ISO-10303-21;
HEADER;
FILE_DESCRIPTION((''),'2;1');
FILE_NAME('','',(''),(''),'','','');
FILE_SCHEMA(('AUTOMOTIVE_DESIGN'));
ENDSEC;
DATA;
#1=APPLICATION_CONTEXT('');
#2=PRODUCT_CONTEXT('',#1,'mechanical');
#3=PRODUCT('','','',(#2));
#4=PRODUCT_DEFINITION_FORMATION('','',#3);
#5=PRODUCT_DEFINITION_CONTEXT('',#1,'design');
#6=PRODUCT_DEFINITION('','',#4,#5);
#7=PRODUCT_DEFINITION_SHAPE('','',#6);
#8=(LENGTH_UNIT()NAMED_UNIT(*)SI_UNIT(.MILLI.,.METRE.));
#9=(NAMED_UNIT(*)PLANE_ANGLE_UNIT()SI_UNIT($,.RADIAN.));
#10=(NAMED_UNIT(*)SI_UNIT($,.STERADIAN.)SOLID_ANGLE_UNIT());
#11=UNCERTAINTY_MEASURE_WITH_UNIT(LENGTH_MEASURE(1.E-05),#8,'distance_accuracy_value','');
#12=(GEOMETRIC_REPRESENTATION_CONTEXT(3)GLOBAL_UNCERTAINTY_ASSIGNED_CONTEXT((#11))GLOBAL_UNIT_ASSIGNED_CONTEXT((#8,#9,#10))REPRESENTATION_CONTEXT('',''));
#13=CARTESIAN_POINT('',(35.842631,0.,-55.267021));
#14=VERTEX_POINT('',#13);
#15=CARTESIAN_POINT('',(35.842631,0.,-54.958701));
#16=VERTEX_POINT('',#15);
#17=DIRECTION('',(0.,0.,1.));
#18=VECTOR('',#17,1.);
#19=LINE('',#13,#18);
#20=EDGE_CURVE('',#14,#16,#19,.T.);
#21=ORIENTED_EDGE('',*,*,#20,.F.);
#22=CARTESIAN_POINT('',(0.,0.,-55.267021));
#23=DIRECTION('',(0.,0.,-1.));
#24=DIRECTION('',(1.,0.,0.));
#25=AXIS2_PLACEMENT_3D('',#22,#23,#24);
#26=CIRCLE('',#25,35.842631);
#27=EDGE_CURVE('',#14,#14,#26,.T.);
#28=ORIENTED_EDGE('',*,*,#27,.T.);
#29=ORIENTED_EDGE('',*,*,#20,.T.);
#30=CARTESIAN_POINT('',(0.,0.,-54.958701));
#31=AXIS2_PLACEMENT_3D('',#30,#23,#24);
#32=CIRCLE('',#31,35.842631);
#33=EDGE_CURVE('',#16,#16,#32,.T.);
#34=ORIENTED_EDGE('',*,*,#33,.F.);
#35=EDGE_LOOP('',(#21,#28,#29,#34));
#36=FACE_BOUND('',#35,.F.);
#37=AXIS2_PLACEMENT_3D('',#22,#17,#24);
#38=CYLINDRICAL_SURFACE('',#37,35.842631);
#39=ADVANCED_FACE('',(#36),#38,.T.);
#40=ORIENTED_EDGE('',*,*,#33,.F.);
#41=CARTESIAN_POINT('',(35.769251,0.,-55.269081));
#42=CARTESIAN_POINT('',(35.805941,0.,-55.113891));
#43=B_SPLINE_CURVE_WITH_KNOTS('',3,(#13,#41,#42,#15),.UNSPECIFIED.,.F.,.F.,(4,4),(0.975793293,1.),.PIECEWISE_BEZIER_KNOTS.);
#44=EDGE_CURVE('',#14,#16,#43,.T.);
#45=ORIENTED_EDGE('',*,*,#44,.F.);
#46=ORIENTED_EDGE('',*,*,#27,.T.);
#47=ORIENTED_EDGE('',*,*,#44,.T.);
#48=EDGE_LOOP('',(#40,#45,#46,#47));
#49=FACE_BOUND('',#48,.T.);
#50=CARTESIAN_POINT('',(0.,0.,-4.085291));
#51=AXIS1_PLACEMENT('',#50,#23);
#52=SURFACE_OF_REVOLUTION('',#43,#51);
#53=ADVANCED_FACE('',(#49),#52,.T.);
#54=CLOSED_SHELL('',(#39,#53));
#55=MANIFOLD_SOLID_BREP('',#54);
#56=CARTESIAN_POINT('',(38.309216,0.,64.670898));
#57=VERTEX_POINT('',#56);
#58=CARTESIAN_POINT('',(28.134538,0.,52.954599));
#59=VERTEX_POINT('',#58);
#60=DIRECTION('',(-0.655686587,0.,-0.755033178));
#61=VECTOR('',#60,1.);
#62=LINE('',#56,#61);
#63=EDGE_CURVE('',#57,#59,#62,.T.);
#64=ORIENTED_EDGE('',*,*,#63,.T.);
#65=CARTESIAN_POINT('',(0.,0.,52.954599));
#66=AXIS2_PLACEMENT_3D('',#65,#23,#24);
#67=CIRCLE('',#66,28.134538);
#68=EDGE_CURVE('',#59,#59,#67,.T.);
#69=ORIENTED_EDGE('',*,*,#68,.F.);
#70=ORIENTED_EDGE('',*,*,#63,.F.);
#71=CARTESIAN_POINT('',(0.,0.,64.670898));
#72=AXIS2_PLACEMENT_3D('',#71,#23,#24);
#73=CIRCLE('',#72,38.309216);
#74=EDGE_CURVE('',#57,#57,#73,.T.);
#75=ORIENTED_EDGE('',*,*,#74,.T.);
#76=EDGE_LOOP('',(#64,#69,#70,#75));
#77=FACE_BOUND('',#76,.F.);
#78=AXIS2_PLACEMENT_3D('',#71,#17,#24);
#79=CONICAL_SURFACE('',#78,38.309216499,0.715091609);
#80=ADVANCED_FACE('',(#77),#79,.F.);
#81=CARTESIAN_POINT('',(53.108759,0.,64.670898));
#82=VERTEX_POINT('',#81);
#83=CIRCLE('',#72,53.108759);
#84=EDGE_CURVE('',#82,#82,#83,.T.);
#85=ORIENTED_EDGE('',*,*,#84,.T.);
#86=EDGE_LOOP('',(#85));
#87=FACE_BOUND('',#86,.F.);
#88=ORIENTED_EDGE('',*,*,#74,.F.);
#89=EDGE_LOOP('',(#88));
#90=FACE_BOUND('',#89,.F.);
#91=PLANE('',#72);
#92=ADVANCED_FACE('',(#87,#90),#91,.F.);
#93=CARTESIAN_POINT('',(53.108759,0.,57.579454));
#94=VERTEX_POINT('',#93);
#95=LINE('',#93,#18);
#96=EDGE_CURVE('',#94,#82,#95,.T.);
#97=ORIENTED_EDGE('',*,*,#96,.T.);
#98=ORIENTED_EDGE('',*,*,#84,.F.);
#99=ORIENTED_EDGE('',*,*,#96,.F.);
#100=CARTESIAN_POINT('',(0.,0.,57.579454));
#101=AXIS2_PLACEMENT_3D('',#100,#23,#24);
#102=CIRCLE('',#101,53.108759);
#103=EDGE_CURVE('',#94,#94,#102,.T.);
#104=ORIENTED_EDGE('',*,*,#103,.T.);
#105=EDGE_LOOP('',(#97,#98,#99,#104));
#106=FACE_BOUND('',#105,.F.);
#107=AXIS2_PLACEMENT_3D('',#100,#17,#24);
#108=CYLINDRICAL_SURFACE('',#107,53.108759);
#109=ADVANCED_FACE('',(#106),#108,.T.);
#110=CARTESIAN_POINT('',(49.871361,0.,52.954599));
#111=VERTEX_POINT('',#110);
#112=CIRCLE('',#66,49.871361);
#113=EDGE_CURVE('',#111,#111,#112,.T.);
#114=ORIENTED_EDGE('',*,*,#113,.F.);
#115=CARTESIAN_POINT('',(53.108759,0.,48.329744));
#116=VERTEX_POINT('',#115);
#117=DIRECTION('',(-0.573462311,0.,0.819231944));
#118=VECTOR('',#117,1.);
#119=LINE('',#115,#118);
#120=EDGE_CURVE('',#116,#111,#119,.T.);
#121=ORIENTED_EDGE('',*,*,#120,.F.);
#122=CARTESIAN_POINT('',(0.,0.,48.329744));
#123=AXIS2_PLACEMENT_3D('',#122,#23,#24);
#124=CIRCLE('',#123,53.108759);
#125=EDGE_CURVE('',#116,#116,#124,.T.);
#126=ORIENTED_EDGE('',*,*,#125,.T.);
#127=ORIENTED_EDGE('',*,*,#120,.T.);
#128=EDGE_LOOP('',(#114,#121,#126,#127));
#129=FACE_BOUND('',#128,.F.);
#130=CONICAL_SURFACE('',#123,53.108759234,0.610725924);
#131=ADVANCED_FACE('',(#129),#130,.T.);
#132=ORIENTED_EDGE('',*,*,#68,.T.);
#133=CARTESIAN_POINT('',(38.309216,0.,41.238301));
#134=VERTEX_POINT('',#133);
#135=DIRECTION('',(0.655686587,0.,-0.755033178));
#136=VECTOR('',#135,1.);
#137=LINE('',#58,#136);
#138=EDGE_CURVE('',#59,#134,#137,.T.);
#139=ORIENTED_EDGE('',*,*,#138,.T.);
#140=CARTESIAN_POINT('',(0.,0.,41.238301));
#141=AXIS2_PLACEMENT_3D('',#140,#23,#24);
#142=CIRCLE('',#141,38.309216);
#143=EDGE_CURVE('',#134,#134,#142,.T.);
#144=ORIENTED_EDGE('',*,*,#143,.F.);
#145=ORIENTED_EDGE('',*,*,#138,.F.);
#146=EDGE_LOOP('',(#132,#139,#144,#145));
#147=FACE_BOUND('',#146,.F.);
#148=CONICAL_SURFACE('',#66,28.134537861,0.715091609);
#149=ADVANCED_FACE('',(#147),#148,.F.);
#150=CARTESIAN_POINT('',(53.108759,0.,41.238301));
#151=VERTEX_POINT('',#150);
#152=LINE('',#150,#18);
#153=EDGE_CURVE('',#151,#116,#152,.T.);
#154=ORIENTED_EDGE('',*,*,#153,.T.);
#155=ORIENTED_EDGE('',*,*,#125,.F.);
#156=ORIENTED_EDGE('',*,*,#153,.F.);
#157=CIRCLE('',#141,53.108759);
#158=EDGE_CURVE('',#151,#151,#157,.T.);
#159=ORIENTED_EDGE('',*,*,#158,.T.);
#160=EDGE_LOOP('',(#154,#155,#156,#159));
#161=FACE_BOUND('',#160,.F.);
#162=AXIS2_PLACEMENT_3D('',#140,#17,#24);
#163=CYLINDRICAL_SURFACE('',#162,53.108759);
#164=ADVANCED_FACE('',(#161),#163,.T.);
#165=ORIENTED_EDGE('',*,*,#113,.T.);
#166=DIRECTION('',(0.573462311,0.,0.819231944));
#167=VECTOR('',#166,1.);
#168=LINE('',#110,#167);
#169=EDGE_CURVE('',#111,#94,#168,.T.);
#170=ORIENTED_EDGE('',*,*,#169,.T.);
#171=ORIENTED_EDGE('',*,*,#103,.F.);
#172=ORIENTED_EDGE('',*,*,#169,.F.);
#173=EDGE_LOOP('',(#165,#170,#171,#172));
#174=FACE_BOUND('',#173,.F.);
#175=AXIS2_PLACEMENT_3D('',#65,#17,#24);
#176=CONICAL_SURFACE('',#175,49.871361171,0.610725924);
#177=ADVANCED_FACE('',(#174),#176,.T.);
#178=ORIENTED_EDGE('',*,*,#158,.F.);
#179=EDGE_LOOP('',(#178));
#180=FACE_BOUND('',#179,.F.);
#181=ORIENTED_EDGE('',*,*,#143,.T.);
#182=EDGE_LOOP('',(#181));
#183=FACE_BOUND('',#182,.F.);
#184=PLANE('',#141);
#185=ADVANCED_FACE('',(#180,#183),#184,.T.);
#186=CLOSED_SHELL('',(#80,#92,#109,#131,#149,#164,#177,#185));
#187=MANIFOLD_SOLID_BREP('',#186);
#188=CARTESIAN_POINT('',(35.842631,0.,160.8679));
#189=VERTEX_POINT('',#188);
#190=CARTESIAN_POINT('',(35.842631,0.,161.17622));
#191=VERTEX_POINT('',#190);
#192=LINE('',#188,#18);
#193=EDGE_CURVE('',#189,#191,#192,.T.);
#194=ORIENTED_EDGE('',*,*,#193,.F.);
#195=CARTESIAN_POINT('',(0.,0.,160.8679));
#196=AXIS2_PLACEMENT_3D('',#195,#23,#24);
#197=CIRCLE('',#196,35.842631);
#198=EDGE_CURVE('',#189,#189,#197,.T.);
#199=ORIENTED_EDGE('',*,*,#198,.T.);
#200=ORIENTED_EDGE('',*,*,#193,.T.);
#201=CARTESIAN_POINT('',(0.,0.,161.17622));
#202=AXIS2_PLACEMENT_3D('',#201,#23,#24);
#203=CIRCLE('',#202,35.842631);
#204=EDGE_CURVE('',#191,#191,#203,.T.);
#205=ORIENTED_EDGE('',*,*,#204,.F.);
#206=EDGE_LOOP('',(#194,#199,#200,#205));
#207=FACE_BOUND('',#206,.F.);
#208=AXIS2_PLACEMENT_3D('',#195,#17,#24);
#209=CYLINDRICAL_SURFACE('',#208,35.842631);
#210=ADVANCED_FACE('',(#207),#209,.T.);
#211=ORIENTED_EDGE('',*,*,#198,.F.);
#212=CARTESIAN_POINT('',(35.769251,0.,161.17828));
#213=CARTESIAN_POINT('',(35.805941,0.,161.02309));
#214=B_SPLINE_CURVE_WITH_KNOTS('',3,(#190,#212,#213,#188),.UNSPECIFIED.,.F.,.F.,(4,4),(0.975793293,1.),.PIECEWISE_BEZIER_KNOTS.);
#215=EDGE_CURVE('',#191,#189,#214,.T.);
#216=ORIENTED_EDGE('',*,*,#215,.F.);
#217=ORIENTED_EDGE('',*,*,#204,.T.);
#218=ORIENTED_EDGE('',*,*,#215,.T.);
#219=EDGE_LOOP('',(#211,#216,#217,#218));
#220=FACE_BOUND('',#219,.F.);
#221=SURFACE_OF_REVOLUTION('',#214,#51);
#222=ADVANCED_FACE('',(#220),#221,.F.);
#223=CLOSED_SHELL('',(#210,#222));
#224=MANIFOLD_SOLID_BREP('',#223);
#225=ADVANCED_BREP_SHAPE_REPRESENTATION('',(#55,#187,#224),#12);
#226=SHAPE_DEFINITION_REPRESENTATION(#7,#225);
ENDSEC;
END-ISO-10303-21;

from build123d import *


with BuildPart() as f1:
    # F0 (on Front) → F1 (revolve)
    with BuildSketch(Plane.XZ):
        with BuildLine():
            Line((35.8426310212, 160.8678996653), (35.8426310212, 161.1762195916))
            add(Edge.make_bspline(
                [(35.8426310212, 161.1762195916), (35.7692510566, 161.1782799319), (35.8059410389, 161.0230897986), (35.8426310212, 160.8678996653)],
                knots=[0.9757932931, 0.9757932931, 0.9757932931, 0.9757932931, 1, 1, 1, 1], degree=3))
        make_face()
    revolve(axis=Axis((0, 0, -4.085291177), (0, 0, -1)))


with BuildPart() as f1b:
    # F0 (on Front) → F1, piece 2 (revolve)
    with BuildSketch(Plane.XZ):
        with BuildLine():
            add(Edge.make_bspline(
                [(35.8426310212, -55.2670210635), (35.7692510566, -55.2690814038), (35.8059410389, -55.1138912704), (35.8426310212, -54.9587011372)],
                knots=[0.9757932931, 0.9757932931, 0.9757932931, 0.9757932931, 1, 1, 1, 1], degree=3))
            Line((35.8426310212, -55.2670210635), (35.8426310212, -54.9587011372))
        make_face()
    revolve(axis=Axis((0, 0, -4.085291177), (0, 0, -1)))


with BuildPart() as f1c:
    # F0 (on Front) → F1, piece 3 (revolve)
    with BuildSketch(Plane.XZ):
        Polygon((38.3092164993, 64.670898023), (28.1345378608, 52.9545992641), (38.3092164993, 41.2383005051), (41.6699527481, 41.2383005051), (49.8713611715, 52.9545992641), (41.6699527481, 64.670898023), align=None)
        Polygon((53.1087592335, 64.670898023), (41.6699527481, 64.670898023), (49.8713611715, 52.9545992641), (53.1087592335, 57.5794540374), align=None)
        Polygon((49.8713611715, 52.9545992641), (41.6699527481, 41.2383005051), (53.1087592335, 41.2383005051), (53.1087592335, 48.3297444908), align=None)
    revolve(axis=Axis((0, 0, -4.085291177), (0, 0, -1)))


solid = Compound([f1.part, f1b.part, f1c.part])
